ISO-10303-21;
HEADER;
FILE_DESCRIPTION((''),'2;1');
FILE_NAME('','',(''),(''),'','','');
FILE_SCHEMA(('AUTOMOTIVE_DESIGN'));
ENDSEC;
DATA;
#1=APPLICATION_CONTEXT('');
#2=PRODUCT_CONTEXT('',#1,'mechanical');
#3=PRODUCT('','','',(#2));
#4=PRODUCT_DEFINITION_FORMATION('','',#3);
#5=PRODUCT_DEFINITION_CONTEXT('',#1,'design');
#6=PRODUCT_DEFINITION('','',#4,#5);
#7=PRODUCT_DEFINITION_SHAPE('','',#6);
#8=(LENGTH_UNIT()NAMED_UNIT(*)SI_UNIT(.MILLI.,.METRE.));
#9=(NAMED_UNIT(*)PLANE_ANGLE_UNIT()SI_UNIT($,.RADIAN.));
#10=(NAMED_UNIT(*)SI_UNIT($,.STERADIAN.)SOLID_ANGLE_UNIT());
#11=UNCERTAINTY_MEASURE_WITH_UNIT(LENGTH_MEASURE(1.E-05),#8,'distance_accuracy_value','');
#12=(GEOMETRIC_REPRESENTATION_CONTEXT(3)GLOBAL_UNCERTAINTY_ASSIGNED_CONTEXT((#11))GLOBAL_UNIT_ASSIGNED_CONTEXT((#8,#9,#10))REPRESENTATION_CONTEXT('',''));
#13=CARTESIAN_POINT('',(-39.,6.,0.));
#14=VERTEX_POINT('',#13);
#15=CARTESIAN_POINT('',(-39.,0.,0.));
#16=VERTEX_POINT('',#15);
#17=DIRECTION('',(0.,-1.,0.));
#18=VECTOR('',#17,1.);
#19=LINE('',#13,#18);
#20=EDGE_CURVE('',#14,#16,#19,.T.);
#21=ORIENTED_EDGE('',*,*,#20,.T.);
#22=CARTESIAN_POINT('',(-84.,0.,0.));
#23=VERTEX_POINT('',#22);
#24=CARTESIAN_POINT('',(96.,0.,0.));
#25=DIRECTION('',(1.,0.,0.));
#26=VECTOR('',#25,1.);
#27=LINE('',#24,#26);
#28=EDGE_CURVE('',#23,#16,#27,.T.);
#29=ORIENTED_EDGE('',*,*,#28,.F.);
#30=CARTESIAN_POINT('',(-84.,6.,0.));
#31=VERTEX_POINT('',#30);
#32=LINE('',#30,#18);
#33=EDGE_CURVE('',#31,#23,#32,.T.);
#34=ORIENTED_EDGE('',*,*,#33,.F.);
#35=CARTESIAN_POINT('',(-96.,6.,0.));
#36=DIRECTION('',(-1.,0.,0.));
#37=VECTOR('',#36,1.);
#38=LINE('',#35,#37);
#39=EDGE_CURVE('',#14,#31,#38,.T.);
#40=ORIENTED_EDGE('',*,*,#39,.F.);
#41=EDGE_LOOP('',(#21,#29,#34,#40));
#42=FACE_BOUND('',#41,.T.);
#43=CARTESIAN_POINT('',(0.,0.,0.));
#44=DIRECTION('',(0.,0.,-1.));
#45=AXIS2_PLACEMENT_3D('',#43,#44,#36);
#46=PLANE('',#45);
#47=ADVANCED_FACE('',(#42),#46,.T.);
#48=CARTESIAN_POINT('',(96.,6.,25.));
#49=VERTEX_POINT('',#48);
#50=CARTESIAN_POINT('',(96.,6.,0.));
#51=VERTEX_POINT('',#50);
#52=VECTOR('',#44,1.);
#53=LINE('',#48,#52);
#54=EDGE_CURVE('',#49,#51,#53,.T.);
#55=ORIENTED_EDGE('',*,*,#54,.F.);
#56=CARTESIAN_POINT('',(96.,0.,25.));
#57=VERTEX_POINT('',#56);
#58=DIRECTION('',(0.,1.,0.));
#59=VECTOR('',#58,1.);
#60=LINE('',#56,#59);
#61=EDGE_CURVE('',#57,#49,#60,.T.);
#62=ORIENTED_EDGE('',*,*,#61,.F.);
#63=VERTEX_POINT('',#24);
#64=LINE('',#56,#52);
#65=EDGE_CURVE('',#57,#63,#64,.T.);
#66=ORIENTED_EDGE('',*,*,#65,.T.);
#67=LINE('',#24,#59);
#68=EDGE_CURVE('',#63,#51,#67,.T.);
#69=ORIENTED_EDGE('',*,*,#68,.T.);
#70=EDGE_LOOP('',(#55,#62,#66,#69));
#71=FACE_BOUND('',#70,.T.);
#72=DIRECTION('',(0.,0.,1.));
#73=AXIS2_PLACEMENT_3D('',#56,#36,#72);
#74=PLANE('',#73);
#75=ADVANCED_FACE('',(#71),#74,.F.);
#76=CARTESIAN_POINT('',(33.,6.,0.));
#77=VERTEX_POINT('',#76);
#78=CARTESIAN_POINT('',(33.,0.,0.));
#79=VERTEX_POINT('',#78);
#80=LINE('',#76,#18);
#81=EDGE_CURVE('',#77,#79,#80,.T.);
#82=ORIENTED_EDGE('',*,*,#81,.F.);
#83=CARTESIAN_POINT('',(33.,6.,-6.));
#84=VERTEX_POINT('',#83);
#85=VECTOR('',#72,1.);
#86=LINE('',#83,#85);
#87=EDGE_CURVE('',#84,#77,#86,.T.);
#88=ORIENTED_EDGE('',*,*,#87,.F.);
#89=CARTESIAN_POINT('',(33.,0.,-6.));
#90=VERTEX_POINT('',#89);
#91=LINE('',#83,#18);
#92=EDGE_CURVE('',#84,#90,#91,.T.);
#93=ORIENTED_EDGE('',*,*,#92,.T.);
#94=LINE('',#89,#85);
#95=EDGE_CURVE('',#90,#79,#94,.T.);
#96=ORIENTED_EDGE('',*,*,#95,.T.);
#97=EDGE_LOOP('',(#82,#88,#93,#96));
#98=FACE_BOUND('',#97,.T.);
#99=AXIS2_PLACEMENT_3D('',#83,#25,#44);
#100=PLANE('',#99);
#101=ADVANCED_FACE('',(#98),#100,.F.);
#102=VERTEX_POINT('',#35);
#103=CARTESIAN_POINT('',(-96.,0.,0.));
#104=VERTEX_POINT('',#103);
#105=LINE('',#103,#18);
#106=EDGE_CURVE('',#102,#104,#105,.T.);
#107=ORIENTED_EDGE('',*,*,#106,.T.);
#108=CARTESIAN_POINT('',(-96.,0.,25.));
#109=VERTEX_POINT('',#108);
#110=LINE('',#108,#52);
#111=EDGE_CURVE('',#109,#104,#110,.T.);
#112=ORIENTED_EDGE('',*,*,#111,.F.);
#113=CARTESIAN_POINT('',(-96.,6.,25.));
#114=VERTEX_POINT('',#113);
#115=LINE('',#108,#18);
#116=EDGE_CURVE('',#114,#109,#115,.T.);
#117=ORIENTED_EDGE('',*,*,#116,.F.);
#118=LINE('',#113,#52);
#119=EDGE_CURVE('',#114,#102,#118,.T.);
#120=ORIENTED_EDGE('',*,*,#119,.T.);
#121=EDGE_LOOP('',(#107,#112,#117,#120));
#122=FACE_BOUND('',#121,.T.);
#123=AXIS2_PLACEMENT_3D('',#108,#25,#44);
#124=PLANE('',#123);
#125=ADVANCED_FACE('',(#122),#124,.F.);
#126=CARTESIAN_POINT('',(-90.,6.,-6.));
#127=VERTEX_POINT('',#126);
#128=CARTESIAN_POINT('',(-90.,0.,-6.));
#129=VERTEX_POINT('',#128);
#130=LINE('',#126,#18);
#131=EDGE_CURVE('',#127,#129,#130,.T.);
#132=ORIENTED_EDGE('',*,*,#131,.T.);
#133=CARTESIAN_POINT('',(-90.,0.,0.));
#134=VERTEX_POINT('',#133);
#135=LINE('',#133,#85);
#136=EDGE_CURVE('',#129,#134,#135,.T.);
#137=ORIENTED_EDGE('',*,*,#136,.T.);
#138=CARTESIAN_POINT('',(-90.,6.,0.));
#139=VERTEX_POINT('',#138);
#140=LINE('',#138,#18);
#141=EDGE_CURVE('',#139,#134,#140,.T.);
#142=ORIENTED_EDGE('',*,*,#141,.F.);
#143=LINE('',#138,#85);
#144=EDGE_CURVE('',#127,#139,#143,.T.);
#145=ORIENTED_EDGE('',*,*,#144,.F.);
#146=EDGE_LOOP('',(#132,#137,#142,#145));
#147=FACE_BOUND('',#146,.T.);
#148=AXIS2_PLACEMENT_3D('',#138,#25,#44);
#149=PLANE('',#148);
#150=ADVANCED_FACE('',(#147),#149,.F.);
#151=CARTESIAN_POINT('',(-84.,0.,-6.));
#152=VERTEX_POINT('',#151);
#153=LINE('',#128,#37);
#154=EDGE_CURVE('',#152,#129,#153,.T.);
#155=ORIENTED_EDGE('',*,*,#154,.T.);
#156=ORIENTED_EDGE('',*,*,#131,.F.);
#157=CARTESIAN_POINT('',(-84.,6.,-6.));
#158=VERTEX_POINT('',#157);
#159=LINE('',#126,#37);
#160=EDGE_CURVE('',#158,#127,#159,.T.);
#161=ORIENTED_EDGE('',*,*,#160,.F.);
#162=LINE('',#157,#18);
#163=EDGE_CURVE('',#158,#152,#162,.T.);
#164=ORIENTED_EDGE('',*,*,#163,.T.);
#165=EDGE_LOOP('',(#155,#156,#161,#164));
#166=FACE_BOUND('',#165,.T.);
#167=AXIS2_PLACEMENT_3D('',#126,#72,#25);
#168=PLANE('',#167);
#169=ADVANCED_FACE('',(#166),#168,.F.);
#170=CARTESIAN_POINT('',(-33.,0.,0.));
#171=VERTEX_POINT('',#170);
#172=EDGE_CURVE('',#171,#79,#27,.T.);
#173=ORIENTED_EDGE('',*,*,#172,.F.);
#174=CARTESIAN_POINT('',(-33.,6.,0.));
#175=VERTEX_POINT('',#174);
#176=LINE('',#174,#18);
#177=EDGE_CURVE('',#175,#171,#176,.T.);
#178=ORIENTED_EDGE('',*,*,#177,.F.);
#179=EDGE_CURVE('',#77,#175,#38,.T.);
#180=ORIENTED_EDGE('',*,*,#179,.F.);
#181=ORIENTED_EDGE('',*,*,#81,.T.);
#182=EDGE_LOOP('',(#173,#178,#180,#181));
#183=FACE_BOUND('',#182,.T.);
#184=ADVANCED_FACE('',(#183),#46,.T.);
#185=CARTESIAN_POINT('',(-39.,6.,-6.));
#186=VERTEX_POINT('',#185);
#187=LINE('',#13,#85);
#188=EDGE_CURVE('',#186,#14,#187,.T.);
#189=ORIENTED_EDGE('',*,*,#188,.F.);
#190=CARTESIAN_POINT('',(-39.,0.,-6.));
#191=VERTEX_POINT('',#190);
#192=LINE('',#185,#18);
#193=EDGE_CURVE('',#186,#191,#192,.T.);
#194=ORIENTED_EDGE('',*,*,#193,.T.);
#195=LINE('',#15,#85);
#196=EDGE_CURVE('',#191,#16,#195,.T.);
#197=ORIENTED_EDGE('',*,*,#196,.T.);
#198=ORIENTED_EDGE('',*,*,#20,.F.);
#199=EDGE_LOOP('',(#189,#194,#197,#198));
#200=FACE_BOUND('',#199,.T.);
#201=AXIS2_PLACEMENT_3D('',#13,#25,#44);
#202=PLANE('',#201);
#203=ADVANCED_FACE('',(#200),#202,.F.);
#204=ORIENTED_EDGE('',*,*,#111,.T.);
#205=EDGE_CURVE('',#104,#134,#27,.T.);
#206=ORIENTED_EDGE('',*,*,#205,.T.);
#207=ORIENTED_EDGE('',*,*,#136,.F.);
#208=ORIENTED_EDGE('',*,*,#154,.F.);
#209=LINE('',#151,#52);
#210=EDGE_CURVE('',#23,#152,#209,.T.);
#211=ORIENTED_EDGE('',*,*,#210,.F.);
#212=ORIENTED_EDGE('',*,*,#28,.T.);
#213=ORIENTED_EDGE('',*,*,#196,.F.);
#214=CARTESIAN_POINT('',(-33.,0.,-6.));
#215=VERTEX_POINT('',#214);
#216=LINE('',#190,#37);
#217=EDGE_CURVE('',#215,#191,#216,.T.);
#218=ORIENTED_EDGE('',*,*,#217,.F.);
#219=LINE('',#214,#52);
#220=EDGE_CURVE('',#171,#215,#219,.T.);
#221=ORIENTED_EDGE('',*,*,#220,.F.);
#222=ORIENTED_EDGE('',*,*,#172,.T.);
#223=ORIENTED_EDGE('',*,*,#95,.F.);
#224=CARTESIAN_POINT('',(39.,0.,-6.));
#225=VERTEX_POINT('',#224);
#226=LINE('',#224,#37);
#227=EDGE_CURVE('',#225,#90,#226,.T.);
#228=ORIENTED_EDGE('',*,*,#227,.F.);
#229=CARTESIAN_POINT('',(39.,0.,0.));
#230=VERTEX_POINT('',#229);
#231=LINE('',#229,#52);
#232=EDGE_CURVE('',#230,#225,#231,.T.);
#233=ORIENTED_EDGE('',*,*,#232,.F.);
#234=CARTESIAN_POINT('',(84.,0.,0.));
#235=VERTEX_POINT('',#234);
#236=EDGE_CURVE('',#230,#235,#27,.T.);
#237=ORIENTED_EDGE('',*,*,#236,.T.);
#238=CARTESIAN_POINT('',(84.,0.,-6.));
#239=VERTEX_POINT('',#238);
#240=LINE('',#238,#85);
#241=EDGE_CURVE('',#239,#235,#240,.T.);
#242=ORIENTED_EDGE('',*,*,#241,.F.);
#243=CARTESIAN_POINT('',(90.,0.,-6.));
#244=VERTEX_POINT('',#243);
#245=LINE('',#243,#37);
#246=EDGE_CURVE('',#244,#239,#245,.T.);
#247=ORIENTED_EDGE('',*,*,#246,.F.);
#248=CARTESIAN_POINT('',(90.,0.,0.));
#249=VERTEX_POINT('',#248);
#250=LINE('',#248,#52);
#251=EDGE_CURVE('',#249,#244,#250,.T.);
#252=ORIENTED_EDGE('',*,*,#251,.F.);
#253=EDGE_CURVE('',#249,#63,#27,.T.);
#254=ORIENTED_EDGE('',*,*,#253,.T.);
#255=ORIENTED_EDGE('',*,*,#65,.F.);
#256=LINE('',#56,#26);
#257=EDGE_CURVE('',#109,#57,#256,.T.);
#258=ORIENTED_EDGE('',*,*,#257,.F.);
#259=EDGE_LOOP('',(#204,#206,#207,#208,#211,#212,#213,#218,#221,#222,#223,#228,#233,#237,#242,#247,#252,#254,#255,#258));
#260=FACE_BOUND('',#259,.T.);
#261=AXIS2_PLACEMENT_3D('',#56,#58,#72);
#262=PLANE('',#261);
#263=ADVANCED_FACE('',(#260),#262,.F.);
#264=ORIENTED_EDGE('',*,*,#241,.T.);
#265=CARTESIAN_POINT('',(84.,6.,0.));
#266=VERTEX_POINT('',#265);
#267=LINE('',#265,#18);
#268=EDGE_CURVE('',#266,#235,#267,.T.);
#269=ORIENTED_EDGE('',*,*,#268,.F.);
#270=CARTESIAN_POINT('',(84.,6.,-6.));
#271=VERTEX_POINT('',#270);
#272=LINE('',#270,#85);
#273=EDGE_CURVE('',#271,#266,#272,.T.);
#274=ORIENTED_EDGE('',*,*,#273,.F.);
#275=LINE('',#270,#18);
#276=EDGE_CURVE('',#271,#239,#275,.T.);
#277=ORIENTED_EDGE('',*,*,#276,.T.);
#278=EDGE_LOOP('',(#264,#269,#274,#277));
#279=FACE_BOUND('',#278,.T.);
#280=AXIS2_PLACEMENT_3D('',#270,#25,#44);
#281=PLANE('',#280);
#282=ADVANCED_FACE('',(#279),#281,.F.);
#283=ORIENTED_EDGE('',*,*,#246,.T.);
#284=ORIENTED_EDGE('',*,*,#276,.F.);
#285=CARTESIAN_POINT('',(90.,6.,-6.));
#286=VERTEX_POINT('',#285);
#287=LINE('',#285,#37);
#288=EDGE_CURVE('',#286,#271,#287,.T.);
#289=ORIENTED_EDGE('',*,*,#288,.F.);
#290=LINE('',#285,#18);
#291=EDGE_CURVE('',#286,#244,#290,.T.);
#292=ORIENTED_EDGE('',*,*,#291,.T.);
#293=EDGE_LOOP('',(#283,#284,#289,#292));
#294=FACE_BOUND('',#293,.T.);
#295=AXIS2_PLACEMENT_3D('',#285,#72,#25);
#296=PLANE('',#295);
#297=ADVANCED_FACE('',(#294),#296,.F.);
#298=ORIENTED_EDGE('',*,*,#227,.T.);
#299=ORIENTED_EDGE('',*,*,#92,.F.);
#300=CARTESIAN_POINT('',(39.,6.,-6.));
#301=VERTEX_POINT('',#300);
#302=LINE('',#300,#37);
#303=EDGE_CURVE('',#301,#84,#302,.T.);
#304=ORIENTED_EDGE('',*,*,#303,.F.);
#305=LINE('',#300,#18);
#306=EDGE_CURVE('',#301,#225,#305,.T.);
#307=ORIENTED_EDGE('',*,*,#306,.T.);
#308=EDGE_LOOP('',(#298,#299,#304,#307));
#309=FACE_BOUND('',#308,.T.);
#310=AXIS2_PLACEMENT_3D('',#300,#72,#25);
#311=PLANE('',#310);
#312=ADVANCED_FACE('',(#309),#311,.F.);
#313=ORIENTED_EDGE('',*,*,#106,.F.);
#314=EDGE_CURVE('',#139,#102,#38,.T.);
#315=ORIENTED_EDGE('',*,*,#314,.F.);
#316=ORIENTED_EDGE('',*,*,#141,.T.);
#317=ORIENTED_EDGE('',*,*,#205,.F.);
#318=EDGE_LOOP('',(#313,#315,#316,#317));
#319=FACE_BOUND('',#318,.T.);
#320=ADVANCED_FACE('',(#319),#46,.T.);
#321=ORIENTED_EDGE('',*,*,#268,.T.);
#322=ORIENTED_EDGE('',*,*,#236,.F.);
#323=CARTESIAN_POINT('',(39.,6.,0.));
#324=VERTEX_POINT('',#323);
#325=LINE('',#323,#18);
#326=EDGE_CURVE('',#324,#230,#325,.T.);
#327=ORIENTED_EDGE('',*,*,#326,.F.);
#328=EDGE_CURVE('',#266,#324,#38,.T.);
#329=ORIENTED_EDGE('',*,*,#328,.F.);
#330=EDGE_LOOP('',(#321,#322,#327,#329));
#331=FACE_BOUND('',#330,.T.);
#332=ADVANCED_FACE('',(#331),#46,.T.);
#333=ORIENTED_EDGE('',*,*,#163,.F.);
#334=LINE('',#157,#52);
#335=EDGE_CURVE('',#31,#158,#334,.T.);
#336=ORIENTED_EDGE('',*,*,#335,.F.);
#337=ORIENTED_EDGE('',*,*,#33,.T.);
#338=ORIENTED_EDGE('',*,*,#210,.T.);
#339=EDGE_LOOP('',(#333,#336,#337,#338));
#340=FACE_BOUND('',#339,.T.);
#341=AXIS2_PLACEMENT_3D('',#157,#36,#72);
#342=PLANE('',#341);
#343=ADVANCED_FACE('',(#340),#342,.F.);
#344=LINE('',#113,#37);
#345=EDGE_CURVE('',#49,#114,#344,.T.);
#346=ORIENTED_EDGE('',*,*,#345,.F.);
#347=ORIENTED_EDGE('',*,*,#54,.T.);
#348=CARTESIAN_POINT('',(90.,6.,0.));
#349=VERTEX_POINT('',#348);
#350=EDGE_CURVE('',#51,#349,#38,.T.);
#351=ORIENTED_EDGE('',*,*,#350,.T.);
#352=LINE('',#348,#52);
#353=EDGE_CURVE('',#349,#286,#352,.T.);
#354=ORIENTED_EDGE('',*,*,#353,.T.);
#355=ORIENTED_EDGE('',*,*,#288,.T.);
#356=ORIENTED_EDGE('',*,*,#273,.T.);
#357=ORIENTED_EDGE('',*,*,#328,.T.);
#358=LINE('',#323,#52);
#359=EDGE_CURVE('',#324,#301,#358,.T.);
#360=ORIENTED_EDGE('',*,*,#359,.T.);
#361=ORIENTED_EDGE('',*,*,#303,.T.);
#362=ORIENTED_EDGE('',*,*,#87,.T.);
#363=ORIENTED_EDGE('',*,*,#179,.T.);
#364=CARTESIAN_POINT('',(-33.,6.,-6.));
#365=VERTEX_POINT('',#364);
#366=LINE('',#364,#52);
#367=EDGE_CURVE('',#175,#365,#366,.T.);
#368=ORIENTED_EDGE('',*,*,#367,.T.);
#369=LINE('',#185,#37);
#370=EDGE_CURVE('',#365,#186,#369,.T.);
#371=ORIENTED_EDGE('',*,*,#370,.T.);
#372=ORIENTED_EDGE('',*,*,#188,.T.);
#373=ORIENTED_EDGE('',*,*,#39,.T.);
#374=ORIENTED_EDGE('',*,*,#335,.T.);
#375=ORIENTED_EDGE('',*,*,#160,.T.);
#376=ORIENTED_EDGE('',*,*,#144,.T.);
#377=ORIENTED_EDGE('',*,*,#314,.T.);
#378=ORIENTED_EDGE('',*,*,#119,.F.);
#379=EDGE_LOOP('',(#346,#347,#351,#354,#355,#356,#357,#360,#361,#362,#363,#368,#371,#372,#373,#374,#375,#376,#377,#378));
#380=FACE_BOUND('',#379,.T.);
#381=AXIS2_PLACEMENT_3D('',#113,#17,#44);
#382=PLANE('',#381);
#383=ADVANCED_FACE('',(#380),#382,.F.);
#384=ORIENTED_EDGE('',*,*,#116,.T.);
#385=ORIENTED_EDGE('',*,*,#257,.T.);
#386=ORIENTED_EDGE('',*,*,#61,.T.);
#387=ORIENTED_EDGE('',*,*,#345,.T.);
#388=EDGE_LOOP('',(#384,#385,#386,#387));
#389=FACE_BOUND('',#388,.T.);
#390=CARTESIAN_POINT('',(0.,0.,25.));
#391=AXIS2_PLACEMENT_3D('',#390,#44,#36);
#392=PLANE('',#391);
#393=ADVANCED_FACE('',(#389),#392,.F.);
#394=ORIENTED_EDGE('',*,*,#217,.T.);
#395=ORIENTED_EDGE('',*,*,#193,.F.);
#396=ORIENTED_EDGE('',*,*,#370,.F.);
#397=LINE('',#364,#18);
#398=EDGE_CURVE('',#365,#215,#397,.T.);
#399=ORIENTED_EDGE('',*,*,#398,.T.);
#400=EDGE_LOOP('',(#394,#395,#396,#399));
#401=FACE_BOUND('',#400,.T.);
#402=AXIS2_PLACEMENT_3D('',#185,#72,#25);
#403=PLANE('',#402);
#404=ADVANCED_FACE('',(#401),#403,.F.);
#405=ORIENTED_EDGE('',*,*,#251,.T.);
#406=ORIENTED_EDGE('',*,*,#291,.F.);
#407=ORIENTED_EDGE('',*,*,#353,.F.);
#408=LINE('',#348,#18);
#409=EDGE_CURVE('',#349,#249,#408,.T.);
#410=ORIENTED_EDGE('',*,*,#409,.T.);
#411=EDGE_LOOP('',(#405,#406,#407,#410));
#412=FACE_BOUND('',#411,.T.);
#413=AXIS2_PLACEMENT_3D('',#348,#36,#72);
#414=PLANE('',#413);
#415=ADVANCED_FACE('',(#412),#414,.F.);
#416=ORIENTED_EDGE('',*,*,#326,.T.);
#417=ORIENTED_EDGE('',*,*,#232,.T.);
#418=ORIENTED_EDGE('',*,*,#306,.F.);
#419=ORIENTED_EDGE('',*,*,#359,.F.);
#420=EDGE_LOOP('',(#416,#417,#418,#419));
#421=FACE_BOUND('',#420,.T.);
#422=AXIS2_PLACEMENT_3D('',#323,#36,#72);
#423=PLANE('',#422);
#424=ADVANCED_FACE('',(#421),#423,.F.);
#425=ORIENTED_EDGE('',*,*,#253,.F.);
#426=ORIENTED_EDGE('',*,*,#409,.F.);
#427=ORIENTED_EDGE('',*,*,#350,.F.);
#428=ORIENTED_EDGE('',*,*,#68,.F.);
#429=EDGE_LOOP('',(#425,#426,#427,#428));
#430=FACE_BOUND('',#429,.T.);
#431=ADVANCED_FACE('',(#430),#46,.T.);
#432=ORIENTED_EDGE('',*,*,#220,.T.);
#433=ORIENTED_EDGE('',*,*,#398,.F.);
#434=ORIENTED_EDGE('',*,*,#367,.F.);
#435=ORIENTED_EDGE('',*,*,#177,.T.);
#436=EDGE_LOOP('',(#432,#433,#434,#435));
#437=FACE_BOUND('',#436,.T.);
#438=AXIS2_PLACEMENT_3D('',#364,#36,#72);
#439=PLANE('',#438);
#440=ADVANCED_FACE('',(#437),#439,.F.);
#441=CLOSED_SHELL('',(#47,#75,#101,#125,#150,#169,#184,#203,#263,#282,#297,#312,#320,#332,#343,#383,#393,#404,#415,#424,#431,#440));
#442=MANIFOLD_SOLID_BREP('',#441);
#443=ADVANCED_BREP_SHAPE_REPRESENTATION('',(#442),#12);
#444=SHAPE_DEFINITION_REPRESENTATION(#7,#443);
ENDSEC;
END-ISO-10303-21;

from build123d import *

# Parameters (mm, degrees)
SKETCH1_W           = 192
SKETCH1_H           = 6
BOSS_EXTRUDE1_DEPTH = 25
SKETCH2_W           = 6
SKETCH2_H           = 6
BOSS_EXTRUDE3_DEPTH = 6


with BuildPart() as part:
    # Sketch1 → Boss-Extrude1 (new body)
    with BuildSketch(Plane.XY):
        with Locations((0, 3)):
            Rectangle(SKETCH1_W, SKETCH1_H)
    extrude(amount=BOSS_EXTRUDE1_DEPTH)

    # Sketch2 → Boss-Extrude3 (add)
    with BuildSketch(Plane(origin=(0, 0, 0), x_dir=(1, 0, 0), z_dir=(0, 1, 0))):
        with Locations((-87, 3)):
            Rectangle(SKETCH2_W, SKETCH2_H)
        with Locations((-36, 3)):
            Rectangle(SKETCH2_W, SKETCH2_H)
        with Locations((36, 3)):
            Rectangle(SKETCH2_W, SKETCH2_H)
        with Locations((87, 3)):
            Rectangle(SKETCH2_W, SKETCH2_H)
    extrude(amount=BOSS_EXTRUDE3_DEPTH)


solid = part.part
